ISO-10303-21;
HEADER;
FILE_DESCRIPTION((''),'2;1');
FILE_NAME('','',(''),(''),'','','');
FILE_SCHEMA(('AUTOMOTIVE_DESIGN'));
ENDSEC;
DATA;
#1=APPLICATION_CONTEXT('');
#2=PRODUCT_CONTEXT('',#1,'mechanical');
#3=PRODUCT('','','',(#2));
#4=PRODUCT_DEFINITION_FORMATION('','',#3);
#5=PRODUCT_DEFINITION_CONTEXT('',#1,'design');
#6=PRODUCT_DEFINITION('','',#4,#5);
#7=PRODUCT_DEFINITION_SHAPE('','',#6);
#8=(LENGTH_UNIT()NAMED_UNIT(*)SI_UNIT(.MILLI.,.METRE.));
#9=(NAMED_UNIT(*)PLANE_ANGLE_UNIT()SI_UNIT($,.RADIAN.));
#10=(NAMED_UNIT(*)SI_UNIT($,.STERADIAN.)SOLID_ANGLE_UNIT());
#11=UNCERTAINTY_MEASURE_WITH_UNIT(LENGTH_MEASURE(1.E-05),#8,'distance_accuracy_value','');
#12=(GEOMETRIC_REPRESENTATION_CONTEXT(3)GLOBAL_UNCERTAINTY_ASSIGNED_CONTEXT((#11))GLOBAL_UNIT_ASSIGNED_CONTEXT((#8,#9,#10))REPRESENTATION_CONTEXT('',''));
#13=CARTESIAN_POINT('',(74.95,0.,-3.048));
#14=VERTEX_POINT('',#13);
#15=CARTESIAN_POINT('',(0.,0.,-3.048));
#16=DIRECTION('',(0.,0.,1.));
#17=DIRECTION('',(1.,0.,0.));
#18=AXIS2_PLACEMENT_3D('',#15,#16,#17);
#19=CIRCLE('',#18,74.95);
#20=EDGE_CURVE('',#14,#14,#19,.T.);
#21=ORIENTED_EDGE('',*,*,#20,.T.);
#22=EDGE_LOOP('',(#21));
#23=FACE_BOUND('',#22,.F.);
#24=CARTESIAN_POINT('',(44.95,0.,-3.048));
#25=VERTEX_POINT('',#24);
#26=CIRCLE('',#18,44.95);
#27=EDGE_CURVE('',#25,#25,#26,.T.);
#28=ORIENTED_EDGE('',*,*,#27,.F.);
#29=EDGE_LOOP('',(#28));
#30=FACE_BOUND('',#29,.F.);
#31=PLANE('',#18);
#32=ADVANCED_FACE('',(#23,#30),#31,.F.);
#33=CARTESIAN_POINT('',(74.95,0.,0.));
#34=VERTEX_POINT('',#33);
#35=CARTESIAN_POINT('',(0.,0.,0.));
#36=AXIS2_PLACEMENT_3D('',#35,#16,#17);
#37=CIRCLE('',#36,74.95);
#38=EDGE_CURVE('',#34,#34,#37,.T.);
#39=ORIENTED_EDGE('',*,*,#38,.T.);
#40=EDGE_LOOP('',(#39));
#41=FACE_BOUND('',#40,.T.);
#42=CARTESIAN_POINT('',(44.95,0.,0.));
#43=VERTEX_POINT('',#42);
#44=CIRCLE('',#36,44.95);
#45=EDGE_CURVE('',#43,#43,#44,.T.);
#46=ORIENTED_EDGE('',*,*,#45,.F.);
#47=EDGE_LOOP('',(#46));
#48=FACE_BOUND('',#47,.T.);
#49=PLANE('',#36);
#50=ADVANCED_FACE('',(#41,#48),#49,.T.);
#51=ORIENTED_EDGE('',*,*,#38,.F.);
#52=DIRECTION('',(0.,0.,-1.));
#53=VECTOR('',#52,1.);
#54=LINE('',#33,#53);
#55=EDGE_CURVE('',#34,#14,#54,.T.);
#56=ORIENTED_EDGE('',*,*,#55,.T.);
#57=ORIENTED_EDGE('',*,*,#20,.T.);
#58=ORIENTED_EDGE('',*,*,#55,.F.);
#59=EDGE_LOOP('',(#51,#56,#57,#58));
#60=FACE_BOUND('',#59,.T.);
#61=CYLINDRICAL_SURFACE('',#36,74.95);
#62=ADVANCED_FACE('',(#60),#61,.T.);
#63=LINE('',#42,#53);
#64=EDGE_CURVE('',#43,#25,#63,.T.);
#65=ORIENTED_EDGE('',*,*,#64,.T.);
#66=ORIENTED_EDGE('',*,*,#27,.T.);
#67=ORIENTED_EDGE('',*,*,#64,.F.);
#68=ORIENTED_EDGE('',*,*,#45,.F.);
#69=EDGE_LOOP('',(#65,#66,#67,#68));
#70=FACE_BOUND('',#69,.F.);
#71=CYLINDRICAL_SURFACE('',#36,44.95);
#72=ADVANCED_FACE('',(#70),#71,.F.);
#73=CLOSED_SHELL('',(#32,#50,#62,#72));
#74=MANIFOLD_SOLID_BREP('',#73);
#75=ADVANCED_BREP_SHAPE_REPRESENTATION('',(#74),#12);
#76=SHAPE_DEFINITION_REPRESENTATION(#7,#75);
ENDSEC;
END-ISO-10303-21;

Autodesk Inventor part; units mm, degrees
ref_plane "YZ Plane" through (0, 0, 0) normal (1, 0, 0) x (0, 1, 0)
ref_plane "XZ Plane" through (0, 0, 0) normal (0, 1, 0) x (-1, 0, 0)
ref_plane "XY Plane" through (0, 0, 0) normal (0, 0, 1) x (1, 0, 0)
sketch "Sketch1" plane through (0, 0, 0) normal (0, 0, 1) x (1, 0, 0)
  circle A0 centre (0, 0) radius 44.95
  circle A1 centre (0, 0) radius 74.95
  dimension "d0" = 89.9
  dimension "d1" = 149.9
extrude "Plate1" add sketch "Sketch1" against normal blind 3.048
equation "\"BendReliefWidth\" = Thickness"
equation "\"BendReliefDepth\" = 0.5 * Thickness"
equation "\"CornerReliefSize\" = 4 * Thickness"
equation "\"MinimumRemnant\" = 2 * Thickness"
equation "\"TransitionRadius\" = BendRadius"
equation "\"JacobiRadiusSize\" = BendRadius"
equation "\"GapSize\" = Thickness"
equation "\"BendRadius\" = Thickness"
properties part number "MSC 710 flange" material "Stainless Steel"
